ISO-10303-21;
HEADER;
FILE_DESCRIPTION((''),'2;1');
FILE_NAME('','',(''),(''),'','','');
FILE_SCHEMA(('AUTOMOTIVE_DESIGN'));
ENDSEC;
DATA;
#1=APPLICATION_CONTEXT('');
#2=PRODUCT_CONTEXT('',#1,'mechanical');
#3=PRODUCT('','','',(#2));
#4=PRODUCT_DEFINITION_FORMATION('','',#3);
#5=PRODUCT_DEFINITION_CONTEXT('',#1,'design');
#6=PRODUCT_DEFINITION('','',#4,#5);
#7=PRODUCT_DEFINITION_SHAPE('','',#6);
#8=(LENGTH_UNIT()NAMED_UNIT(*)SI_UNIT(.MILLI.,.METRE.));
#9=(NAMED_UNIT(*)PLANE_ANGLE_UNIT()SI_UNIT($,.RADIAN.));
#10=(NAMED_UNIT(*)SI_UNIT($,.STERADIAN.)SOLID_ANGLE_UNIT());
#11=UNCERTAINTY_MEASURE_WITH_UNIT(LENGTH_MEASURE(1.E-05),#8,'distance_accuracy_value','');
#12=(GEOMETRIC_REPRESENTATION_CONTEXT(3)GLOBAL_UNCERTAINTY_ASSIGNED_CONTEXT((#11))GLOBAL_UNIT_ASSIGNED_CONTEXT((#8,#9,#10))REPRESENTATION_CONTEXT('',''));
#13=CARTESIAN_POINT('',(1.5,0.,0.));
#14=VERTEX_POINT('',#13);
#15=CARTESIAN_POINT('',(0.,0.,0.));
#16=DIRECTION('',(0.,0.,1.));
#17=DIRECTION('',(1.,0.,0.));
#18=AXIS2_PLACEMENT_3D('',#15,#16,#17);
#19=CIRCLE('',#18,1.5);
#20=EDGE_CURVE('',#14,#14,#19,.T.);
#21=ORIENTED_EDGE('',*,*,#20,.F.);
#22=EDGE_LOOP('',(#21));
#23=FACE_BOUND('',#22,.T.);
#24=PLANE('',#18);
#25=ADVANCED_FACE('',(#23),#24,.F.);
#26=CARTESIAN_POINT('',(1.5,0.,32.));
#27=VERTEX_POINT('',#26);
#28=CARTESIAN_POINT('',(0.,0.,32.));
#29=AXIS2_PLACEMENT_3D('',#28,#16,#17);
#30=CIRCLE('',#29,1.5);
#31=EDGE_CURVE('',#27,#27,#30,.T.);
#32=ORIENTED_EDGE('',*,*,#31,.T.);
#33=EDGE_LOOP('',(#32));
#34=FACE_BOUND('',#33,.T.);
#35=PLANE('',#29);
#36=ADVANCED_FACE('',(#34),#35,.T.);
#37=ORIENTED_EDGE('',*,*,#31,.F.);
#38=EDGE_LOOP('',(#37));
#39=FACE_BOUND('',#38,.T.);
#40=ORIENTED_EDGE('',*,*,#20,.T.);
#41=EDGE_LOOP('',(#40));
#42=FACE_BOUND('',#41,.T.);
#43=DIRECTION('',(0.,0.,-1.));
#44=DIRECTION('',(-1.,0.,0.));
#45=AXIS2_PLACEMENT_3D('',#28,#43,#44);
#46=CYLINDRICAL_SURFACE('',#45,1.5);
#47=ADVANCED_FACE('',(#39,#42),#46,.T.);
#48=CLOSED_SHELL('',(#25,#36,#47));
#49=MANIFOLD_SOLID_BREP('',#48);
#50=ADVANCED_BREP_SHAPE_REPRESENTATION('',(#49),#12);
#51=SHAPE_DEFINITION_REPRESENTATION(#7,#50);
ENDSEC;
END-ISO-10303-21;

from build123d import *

# Parameters (mm, degrees)
ESQUISSE1_R      = 1.5
EXTRUSION1_DEPTH = 32


with BuildPart() as part:
    # Esquisse1 → Extrusion1 (new body)
    with BuildSketch(Plane.XY):
        Circle(ESQUISSE1_R)
    extrude(amount=EXTRUSION1_DEPTH)


solid = part.part
